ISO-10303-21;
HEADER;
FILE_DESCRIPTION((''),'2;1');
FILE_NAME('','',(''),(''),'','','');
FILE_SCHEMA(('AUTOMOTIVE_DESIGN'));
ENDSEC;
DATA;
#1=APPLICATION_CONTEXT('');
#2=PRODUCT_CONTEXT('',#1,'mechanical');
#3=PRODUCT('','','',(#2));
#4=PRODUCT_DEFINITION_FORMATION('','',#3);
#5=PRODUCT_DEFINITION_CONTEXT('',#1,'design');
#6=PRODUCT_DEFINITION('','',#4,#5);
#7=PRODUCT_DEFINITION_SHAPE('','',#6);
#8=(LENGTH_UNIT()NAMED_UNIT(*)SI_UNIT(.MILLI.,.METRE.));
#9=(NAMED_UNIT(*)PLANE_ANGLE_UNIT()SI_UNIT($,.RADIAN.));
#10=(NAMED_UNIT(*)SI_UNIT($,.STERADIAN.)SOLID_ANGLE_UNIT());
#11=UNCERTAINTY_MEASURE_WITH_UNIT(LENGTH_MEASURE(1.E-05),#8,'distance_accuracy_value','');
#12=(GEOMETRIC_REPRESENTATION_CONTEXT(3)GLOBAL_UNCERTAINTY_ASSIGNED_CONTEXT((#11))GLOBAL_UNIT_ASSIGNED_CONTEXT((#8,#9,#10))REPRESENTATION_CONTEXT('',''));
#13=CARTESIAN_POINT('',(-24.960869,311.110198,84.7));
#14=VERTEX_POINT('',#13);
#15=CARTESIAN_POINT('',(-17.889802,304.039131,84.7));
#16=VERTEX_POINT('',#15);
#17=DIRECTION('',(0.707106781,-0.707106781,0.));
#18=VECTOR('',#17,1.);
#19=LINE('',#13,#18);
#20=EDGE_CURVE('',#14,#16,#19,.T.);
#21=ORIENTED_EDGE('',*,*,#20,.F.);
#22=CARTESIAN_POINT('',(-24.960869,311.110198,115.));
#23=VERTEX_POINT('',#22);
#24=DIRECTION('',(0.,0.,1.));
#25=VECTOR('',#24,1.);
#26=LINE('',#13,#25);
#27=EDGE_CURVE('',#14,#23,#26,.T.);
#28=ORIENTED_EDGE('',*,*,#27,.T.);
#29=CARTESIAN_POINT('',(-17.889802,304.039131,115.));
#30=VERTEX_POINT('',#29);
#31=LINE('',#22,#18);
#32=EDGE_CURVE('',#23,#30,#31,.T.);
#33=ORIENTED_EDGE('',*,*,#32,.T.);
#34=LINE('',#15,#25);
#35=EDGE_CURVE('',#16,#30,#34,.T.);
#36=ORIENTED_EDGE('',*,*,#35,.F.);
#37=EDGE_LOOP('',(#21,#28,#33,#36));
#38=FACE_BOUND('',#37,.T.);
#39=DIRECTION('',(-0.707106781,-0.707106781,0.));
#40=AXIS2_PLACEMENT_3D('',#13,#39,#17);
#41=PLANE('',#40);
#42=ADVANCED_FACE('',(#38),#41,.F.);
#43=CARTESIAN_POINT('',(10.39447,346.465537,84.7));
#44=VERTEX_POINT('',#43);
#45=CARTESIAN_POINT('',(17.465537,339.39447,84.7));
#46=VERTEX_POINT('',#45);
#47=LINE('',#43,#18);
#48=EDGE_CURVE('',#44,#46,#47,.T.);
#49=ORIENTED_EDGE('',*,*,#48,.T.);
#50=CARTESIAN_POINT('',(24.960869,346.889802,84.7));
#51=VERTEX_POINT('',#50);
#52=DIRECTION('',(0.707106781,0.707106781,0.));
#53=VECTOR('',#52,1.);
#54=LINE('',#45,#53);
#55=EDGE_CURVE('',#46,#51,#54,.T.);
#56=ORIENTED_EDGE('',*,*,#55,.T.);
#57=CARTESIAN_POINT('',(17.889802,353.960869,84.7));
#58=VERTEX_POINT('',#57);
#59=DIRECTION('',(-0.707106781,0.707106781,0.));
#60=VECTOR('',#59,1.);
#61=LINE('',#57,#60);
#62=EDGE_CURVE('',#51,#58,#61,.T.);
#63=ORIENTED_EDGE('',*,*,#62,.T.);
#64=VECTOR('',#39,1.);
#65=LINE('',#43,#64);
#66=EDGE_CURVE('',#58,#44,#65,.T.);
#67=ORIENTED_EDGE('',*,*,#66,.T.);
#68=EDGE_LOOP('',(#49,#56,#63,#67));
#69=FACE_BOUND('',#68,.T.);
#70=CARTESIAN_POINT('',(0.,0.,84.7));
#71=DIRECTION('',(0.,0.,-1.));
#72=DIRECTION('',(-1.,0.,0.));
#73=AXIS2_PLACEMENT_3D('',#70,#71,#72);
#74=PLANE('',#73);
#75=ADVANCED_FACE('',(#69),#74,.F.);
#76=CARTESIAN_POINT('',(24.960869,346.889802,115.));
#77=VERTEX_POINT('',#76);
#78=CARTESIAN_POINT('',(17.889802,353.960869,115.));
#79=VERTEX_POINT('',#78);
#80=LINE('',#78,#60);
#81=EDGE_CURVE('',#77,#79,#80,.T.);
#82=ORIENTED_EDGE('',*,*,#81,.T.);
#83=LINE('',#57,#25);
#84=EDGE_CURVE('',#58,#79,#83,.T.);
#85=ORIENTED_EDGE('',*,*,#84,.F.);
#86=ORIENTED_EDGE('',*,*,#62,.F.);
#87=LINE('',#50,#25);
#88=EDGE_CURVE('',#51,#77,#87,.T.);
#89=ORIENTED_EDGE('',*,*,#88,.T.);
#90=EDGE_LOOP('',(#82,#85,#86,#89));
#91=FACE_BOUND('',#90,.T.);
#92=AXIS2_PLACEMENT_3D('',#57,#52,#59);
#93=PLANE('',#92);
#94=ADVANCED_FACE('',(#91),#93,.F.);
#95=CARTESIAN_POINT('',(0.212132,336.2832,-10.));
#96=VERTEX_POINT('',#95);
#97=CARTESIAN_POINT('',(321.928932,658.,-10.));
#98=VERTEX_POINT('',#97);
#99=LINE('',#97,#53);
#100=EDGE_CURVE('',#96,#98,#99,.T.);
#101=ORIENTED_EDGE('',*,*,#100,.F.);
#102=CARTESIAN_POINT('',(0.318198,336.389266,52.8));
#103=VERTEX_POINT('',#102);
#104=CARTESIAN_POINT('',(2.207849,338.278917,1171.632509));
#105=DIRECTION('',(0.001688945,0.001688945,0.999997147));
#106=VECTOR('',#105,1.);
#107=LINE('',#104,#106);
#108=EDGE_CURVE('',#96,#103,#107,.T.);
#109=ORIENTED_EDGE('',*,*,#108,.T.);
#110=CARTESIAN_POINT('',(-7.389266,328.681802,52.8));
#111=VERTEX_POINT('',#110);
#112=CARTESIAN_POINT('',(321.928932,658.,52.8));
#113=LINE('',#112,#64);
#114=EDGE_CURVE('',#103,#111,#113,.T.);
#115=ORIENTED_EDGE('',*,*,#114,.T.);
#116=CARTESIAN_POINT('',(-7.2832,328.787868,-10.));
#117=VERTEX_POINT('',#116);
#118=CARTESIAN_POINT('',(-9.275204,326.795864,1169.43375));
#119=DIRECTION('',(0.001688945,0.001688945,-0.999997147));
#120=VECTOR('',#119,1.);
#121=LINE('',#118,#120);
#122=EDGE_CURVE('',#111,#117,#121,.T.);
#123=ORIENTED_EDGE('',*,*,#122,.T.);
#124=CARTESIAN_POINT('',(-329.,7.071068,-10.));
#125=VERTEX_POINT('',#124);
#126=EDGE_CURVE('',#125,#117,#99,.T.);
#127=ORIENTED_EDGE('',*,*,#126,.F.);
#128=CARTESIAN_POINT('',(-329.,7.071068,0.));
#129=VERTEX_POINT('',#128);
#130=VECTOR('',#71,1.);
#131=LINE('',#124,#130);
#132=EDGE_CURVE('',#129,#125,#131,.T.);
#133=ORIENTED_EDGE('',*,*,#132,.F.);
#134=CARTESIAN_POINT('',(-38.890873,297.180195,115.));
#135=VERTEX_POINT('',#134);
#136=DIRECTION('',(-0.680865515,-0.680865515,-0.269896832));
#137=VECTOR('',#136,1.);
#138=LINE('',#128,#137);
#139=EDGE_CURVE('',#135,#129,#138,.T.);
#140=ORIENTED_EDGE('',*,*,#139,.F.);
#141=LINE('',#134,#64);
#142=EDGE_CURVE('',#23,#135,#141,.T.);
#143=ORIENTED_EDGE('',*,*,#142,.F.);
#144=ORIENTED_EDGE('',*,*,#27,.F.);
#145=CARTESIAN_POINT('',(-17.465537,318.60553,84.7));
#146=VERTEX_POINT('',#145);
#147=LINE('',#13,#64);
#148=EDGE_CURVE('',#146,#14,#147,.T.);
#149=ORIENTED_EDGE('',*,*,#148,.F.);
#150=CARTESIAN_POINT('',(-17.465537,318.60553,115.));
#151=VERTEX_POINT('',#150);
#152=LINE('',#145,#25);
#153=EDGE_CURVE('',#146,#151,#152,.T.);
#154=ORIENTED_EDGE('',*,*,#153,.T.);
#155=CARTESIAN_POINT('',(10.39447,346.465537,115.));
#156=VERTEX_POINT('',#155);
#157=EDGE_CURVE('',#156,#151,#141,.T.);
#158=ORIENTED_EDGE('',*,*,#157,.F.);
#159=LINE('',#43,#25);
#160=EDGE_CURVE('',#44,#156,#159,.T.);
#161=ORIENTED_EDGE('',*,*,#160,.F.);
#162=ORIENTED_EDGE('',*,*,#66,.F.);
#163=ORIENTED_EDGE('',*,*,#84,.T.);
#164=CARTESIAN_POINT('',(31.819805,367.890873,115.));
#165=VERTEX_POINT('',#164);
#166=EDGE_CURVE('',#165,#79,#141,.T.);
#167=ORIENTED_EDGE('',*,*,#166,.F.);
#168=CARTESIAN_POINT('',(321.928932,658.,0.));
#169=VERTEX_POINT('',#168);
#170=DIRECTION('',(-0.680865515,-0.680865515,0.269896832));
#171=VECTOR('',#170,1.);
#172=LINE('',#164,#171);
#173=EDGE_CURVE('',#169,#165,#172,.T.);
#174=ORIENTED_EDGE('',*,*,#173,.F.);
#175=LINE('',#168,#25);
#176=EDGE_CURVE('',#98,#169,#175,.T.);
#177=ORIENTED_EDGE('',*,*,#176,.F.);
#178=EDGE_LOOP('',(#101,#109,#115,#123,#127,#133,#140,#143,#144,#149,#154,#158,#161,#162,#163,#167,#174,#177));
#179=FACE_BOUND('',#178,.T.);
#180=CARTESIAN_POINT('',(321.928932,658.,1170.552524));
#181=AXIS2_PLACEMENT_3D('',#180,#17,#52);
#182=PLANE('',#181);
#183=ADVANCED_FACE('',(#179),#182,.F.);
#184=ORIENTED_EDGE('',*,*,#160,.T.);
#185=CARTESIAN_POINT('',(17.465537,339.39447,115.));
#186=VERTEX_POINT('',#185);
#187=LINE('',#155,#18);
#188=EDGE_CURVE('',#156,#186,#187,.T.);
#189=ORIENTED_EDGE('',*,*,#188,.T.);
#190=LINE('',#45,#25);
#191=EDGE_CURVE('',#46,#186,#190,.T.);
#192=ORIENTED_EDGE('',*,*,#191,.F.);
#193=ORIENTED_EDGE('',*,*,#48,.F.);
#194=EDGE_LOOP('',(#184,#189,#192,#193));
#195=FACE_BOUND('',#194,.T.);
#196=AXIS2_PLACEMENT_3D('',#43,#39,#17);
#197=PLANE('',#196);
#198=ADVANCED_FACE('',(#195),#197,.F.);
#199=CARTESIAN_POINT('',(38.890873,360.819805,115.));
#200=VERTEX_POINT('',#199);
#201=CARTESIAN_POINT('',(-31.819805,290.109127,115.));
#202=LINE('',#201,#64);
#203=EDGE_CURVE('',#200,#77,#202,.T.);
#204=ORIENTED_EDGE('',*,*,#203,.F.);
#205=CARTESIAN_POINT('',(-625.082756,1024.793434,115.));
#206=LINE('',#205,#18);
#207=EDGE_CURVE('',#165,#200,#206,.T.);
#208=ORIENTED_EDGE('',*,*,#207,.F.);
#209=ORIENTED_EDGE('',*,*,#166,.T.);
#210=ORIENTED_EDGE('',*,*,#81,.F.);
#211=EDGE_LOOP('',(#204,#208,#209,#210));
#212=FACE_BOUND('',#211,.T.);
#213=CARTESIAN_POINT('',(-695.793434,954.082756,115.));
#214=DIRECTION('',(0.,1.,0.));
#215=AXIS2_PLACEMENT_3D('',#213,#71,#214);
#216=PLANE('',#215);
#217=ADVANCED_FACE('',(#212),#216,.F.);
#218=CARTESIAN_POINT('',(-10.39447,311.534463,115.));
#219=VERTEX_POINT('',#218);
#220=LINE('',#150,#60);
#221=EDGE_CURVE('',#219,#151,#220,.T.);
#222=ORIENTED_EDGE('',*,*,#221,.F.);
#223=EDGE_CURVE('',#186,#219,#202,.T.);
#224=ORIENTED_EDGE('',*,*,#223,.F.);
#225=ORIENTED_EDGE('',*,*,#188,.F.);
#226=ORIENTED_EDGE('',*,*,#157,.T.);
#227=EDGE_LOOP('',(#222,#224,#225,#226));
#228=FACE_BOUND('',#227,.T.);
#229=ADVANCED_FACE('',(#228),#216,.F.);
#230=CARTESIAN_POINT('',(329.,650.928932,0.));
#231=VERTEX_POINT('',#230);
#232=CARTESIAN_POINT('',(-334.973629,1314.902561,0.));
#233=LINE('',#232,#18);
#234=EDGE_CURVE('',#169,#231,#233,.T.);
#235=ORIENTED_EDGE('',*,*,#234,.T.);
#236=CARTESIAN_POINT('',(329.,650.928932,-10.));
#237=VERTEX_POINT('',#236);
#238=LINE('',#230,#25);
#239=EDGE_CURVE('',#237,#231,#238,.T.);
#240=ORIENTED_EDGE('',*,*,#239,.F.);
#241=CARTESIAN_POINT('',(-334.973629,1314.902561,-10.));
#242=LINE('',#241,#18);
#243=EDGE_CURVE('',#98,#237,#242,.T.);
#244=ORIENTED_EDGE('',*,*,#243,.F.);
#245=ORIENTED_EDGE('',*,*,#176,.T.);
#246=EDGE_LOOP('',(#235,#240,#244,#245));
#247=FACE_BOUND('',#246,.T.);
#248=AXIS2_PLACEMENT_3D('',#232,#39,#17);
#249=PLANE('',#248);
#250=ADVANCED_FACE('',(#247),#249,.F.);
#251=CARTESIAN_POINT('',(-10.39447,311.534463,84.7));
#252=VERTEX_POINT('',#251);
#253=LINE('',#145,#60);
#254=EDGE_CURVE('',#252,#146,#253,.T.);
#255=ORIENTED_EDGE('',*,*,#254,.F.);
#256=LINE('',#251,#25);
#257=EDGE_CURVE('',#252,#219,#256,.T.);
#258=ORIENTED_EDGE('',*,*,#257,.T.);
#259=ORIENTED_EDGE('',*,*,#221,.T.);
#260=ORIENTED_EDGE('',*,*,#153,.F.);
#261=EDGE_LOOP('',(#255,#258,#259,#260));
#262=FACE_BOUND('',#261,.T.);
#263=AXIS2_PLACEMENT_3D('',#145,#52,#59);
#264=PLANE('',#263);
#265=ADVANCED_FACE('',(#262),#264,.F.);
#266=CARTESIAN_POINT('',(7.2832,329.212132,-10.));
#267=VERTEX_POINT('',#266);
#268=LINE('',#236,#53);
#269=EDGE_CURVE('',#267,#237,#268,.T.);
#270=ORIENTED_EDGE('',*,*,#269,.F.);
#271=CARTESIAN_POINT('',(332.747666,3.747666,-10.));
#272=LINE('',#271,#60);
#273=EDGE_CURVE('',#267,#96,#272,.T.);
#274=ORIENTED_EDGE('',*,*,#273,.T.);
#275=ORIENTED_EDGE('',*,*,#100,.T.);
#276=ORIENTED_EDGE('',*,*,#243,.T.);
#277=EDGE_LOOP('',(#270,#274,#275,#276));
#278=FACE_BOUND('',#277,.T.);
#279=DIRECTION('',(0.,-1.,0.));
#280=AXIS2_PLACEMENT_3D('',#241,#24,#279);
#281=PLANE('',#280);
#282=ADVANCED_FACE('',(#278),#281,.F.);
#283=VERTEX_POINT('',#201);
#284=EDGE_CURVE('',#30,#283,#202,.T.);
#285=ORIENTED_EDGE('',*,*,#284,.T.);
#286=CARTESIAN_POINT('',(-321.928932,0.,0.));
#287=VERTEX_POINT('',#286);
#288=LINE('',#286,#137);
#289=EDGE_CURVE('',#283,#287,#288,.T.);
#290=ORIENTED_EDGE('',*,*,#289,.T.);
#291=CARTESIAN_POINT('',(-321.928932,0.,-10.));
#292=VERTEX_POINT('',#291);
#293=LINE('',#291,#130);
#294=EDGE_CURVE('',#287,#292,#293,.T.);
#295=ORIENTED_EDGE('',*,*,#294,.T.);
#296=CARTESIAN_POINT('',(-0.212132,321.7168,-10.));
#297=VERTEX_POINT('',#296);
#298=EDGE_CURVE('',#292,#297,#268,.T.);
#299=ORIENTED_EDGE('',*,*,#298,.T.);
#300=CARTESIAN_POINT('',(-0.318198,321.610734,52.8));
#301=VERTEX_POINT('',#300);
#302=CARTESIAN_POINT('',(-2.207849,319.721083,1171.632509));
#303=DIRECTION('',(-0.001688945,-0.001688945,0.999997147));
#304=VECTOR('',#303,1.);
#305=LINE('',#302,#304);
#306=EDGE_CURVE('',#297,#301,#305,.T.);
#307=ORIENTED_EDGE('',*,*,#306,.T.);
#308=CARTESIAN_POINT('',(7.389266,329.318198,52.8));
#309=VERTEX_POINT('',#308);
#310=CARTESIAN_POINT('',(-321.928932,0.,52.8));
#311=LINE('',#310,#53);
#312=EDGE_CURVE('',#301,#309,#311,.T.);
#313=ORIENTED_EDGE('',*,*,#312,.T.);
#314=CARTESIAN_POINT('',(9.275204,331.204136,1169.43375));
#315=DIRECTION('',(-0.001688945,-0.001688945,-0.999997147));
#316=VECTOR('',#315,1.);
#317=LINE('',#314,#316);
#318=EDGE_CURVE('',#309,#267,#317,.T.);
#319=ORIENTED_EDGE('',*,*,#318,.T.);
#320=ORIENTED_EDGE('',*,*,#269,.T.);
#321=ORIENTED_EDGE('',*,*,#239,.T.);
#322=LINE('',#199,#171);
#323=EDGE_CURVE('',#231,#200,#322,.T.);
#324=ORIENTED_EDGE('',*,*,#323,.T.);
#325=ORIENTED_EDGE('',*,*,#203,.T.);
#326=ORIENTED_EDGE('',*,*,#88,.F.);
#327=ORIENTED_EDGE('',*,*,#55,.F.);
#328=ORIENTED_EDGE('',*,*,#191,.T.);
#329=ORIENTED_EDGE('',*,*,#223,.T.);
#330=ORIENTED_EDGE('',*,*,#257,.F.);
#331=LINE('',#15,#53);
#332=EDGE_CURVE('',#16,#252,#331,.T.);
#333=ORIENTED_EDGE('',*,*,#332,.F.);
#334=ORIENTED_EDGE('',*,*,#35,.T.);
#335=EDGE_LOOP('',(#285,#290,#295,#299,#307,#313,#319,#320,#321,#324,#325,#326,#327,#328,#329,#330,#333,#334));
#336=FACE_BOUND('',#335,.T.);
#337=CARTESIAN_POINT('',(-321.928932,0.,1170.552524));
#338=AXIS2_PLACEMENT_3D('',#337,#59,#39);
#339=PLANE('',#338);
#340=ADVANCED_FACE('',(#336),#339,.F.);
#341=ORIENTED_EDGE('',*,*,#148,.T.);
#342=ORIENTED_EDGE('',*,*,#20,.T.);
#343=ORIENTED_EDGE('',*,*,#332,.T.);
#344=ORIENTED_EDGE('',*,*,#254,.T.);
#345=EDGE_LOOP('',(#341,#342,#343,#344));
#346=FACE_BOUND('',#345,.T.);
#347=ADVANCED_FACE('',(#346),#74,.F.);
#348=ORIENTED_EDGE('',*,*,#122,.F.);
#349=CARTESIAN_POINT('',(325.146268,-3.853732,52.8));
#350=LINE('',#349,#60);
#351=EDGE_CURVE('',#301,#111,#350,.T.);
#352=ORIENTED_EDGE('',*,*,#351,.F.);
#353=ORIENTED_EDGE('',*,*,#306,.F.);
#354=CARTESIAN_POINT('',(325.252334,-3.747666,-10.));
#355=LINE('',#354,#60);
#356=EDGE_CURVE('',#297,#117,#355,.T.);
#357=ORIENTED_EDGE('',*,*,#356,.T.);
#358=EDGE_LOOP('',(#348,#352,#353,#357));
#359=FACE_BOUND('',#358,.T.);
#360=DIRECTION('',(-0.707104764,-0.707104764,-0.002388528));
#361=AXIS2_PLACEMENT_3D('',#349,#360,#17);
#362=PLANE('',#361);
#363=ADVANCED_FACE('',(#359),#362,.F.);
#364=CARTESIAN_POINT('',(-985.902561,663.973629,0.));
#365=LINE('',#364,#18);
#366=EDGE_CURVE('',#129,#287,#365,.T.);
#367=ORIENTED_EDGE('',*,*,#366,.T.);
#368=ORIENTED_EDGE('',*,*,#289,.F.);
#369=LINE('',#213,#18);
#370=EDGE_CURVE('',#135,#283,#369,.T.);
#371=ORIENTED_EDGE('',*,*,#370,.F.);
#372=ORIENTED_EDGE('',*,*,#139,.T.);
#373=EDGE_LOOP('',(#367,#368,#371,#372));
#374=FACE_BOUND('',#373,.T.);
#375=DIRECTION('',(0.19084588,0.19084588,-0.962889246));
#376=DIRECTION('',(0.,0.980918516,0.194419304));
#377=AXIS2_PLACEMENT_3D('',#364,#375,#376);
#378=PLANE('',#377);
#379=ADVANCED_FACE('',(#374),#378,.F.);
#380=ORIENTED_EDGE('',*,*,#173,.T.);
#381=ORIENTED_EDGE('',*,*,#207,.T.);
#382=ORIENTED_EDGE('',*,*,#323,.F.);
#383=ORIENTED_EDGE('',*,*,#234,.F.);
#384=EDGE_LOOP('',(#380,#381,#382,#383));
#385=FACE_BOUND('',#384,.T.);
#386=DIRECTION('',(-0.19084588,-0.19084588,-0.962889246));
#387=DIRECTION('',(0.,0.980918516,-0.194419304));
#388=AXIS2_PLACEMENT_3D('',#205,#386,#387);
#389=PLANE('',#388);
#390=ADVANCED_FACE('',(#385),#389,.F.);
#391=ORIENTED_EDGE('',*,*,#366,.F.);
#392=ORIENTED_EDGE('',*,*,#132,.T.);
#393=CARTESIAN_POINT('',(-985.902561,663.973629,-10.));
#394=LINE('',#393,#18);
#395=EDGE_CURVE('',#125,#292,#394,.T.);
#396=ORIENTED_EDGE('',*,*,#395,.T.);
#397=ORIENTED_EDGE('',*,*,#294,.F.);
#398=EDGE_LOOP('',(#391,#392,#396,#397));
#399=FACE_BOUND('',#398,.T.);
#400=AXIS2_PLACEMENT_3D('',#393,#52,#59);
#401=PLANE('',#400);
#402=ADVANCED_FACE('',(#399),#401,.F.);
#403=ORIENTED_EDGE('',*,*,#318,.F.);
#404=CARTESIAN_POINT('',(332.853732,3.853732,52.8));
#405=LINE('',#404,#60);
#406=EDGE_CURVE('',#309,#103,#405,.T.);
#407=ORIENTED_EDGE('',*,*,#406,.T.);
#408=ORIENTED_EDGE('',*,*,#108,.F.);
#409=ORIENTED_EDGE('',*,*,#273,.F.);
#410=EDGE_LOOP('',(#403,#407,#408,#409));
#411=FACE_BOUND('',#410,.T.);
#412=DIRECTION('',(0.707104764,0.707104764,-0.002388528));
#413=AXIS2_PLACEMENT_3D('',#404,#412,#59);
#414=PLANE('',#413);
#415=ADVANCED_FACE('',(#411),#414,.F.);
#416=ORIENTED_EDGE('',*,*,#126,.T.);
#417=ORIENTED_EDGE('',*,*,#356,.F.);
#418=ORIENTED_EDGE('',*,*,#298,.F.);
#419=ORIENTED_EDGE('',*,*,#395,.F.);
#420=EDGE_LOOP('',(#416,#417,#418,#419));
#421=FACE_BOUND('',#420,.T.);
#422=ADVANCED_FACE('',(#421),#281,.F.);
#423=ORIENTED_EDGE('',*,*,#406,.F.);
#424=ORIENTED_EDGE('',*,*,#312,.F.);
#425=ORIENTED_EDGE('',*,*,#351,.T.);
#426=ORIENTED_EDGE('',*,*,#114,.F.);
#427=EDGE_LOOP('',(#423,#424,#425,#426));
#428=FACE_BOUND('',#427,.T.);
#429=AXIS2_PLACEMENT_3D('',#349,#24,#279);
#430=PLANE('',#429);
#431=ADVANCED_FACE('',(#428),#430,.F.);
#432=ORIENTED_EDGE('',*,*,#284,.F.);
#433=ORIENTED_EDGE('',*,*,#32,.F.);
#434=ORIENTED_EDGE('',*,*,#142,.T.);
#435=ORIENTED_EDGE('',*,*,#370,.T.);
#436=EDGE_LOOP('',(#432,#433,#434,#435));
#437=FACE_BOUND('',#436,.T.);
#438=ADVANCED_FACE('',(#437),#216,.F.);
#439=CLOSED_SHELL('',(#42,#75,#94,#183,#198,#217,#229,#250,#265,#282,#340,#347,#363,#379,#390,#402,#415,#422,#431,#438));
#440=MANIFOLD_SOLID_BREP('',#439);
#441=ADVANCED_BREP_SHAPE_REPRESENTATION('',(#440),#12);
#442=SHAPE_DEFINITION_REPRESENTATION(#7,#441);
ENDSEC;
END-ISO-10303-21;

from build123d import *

# Parameters (mm, degrees)
BOSS_EXTRUDE1_DEPTH      = 5
BOSS_EXTRUDE1_DEPTH_BACK = 5
BODY_MOVE_COPY1_ANGLE    = 90
CUT_EXTRUDE2_DEPTH       = 708.325596879
CUT_EXTRUDE2_DEPTH_BACK  = 708.325596879
CUT_EXTRUDE3_DEPTH       = 30.3


with BuildPart() as part:
    # Sketch1 → Boss-Extrude1 (new, two sides: drawn at the far end of the back side and taken through both)
    with BuildSketch(Plane(origin=(164.5, 164.5, 0), x_dir=(-0.7071067811865478, 0.7071067811865475, 0), z_dir=(-0.7071067811865475, -0.7071067811865478, 0)).offset(-BOSS_EXTRUDE1_DEPTH_BACK)):
        Polygon((182.63813101, -115), (282.63813101, -115), (692.914393031, 0), (692.914393031, 10), (-227.63813101, 10), (-227.63813101, 0), align=None)
    extrude(amount=BOSS_EXTRUDE1_DEPTH + BOSS_EXTRUDE1_DEPTH_BACK)


with BuildPart() as part_1:
    # Body-Move/Copy1: moved
    add(part.part.moved(Location((0, 0, 0))).rotate(Axis((0, 329, 0), (0, 0, -1)), BODY_MOVE_COPY1_ANGLE))

    # Sketch2 → Cut-Extrude2 (cut, two sides: drawn at the far end of the back side and taken through both)
    with BuildSketch(Plane(origin=(-164.5, 164.5, 0), x_dir=(0.6804138174397739, 0.6804138174397697, 0.27216552697590835), z_dir=(-0.7071067811865454, 0.7071067811865498, 0)).offset(-CUT_EXTRUDE2_DEPTH_BACK)):
        Polygon((216.03456329, 71.496106715), (226.234418046, 74.381061301), (243.470750707, 13.992557954), (232.982220817, 11.02595371), align=None)
    extrude(amount=CUT_EXTRUDE2_DEPTH + CUT_EXTRUDE2_DEPTH_BACK, mode=Mode.SUBTRACT)

    # Sketch3 → Cut-Extrude3 (cut)
    with BuildSketch(Plane.XY.offset(115)):
        Polygon((-24.960869376, 311.110198436), (-17.889801564, 304.039130624), (-10.394469683, 311.534462505), (-17.465537495, 318.605530317), align=None)
        Polygon((10.394469683, 346.465537495), (17.465537495, 339.394469683), (24.960869376, 346.889801564), (17.889801564, 353.960869376), align=None)
    extrude(amount=-CUT_EXTRUDE3_DEPTH, mode=Mode.SUBTRACT)


solid = part_1.part
